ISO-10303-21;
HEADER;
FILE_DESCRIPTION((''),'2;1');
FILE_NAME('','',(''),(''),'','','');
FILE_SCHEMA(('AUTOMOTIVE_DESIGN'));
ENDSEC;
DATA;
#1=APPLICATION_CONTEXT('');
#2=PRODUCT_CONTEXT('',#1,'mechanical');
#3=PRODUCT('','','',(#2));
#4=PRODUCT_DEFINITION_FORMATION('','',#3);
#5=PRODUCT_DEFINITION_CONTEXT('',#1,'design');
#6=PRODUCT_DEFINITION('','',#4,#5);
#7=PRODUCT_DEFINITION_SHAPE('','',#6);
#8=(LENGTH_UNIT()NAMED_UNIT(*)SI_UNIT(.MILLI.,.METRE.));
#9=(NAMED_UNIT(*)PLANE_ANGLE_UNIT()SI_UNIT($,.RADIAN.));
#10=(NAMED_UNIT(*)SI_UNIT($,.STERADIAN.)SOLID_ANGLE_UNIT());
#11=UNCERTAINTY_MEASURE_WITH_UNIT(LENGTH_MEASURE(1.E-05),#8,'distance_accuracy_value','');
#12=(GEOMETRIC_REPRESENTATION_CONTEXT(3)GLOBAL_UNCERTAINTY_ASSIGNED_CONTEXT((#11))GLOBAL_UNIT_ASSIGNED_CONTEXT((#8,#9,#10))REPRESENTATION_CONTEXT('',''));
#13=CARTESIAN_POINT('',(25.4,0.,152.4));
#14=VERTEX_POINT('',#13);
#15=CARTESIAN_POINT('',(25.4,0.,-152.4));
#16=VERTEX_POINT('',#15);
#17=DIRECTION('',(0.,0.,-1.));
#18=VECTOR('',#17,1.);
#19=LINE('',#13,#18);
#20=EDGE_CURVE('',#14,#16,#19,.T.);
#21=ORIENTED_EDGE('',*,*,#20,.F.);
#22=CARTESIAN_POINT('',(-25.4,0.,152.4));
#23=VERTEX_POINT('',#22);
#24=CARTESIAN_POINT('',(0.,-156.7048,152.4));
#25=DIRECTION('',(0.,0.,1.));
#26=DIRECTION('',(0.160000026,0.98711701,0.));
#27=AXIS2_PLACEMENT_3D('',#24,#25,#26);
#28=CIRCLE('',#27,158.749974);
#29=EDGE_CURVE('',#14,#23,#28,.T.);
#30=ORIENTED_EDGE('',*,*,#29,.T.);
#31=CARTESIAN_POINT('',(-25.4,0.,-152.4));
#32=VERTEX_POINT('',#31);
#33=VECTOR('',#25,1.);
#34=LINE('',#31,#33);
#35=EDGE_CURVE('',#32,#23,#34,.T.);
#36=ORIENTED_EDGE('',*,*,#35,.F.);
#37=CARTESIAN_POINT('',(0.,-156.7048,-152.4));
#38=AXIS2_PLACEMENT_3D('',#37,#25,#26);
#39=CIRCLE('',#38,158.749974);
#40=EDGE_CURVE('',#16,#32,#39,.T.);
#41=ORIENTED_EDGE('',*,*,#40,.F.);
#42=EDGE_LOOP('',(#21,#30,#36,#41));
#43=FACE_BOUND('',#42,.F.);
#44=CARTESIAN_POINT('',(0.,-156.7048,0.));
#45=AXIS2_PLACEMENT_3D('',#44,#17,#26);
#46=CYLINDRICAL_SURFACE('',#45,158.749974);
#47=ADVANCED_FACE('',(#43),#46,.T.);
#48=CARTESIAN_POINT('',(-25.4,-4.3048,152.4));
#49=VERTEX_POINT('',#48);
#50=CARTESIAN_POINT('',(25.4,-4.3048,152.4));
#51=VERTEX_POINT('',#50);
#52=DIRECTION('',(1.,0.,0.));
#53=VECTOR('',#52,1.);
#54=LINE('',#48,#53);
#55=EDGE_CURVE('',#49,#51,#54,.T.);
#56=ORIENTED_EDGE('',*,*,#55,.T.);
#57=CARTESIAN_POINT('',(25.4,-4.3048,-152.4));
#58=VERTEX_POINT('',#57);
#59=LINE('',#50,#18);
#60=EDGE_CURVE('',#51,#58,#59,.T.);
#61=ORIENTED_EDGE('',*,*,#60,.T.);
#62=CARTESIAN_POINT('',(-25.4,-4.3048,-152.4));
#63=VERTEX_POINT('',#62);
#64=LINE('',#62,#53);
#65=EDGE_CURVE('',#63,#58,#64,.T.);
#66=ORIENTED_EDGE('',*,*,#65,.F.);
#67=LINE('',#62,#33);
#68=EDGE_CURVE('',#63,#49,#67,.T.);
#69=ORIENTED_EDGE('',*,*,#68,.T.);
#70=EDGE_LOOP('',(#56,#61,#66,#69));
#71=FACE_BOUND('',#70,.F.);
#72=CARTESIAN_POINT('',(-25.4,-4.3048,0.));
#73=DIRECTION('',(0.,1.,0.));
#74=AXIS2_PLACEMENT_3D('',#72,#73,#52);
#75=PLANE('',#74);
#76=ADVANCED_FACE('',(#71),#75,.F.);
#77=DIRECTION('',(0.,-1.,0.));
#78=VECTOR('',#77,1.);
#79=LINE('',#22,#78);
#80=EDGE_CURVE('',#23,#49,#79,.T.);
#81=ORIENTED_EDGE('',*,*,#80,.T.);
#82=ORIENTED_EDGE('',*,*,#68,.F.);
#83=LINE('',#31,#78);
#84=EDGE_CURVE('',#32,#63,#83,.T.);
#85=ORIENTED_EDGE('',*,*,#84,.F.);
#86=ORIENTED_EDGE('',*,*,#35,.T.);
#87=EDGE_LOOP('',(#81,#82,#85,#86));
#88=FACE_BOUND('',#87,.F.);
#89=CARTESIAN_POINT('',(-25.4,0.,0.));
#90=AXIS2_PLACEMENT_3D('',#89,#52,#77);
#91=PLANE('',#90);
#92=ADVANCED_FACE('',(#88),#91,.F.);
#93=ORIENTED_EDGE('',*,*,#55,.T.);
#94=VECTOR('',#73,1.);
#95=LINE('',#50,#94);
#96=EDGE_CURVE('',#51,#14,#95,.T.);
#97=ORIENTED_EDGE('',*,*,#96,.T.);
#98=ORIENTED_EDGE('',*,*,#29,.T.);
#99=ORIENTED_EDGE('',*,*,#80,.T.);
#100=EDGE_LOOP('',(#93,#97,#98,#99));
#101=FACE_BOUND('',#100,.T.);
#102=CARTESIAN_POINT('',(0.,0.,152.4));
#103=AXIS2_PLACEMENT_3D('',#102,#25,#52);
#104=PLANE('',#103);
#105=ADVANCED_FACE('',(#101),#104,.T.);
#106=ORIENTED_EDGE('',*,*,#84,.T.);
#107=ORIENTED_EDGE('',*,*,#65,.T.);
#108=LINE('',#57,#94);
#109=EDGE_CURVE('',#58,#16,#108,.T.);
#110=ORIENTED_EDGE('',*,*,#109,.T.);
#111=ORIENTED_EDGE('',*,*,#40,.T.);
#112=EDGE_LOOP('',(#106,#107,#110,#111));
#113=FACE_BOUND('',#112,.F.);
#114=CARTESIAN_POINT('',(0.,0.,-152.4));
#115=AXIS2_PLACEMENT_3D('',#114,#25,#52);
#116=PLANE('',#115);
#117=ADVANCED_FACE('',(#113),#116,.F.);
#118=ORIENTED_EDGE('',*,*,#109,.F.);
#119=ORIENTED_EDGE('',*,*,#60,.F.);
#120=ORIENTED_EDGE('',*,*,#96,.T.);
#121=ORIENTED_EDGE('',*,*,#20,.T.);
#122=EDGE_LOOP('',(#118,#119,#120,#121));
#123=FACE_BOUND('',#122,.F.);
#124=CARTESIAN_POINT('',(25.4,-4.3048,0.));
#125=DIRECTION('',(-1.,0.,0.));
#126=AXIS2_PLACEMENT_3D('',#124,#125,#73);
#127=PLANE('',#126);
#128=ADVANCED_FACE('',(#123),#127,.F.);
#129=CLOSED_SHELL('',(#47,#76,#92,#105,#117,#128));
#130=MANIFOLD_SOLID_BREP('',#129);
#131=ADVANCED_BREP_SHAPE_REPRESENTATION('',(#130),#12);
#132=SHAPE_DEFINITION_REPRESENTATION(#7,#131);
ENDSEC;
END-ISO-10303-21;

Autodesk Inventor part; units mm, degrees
ref_plane "YZ Plane" through (0, 0, 0) normal (1, 0, 0) x (0, 1, 0)
ref_plane "XZ Plane" through (0, 0, 0) normal (0, 1, 0) x (-1, 0, 0)
ref_plane "XY Plane" through (0, 0, 0) normal (0, 0, 1) x (1, 0, 0)
sketch "Sketch1" plane through (0, 0, 0) normal (0, 0, 1) x (1, 0, 0)
  line L0 (0, 0) -> (25.4, 0)
  line L1 (0, 0) -> (-25.4, 0)
  arc A0 (25.4, 0) -> (-25.4, 0) centre (0, -156.7048) ccw
  line L2 (-25.4, 0) -> (-25.4, -4.3048)
  line L3 (-25.4, -4.3048) -> (25.4, -4.3048)
  line L4 (25.4, -4.3048) -> (25.4, 0)
  dimension "d0" = 25.4
  dimension "d1" = 25.4
  dimension "d2" = 158.75
  dimension "d3" = 6.35
extrude "Extrusion1" add sketch "Sketch1" along normal mid plane 304.8
properties part number "trussSupportForTube"
